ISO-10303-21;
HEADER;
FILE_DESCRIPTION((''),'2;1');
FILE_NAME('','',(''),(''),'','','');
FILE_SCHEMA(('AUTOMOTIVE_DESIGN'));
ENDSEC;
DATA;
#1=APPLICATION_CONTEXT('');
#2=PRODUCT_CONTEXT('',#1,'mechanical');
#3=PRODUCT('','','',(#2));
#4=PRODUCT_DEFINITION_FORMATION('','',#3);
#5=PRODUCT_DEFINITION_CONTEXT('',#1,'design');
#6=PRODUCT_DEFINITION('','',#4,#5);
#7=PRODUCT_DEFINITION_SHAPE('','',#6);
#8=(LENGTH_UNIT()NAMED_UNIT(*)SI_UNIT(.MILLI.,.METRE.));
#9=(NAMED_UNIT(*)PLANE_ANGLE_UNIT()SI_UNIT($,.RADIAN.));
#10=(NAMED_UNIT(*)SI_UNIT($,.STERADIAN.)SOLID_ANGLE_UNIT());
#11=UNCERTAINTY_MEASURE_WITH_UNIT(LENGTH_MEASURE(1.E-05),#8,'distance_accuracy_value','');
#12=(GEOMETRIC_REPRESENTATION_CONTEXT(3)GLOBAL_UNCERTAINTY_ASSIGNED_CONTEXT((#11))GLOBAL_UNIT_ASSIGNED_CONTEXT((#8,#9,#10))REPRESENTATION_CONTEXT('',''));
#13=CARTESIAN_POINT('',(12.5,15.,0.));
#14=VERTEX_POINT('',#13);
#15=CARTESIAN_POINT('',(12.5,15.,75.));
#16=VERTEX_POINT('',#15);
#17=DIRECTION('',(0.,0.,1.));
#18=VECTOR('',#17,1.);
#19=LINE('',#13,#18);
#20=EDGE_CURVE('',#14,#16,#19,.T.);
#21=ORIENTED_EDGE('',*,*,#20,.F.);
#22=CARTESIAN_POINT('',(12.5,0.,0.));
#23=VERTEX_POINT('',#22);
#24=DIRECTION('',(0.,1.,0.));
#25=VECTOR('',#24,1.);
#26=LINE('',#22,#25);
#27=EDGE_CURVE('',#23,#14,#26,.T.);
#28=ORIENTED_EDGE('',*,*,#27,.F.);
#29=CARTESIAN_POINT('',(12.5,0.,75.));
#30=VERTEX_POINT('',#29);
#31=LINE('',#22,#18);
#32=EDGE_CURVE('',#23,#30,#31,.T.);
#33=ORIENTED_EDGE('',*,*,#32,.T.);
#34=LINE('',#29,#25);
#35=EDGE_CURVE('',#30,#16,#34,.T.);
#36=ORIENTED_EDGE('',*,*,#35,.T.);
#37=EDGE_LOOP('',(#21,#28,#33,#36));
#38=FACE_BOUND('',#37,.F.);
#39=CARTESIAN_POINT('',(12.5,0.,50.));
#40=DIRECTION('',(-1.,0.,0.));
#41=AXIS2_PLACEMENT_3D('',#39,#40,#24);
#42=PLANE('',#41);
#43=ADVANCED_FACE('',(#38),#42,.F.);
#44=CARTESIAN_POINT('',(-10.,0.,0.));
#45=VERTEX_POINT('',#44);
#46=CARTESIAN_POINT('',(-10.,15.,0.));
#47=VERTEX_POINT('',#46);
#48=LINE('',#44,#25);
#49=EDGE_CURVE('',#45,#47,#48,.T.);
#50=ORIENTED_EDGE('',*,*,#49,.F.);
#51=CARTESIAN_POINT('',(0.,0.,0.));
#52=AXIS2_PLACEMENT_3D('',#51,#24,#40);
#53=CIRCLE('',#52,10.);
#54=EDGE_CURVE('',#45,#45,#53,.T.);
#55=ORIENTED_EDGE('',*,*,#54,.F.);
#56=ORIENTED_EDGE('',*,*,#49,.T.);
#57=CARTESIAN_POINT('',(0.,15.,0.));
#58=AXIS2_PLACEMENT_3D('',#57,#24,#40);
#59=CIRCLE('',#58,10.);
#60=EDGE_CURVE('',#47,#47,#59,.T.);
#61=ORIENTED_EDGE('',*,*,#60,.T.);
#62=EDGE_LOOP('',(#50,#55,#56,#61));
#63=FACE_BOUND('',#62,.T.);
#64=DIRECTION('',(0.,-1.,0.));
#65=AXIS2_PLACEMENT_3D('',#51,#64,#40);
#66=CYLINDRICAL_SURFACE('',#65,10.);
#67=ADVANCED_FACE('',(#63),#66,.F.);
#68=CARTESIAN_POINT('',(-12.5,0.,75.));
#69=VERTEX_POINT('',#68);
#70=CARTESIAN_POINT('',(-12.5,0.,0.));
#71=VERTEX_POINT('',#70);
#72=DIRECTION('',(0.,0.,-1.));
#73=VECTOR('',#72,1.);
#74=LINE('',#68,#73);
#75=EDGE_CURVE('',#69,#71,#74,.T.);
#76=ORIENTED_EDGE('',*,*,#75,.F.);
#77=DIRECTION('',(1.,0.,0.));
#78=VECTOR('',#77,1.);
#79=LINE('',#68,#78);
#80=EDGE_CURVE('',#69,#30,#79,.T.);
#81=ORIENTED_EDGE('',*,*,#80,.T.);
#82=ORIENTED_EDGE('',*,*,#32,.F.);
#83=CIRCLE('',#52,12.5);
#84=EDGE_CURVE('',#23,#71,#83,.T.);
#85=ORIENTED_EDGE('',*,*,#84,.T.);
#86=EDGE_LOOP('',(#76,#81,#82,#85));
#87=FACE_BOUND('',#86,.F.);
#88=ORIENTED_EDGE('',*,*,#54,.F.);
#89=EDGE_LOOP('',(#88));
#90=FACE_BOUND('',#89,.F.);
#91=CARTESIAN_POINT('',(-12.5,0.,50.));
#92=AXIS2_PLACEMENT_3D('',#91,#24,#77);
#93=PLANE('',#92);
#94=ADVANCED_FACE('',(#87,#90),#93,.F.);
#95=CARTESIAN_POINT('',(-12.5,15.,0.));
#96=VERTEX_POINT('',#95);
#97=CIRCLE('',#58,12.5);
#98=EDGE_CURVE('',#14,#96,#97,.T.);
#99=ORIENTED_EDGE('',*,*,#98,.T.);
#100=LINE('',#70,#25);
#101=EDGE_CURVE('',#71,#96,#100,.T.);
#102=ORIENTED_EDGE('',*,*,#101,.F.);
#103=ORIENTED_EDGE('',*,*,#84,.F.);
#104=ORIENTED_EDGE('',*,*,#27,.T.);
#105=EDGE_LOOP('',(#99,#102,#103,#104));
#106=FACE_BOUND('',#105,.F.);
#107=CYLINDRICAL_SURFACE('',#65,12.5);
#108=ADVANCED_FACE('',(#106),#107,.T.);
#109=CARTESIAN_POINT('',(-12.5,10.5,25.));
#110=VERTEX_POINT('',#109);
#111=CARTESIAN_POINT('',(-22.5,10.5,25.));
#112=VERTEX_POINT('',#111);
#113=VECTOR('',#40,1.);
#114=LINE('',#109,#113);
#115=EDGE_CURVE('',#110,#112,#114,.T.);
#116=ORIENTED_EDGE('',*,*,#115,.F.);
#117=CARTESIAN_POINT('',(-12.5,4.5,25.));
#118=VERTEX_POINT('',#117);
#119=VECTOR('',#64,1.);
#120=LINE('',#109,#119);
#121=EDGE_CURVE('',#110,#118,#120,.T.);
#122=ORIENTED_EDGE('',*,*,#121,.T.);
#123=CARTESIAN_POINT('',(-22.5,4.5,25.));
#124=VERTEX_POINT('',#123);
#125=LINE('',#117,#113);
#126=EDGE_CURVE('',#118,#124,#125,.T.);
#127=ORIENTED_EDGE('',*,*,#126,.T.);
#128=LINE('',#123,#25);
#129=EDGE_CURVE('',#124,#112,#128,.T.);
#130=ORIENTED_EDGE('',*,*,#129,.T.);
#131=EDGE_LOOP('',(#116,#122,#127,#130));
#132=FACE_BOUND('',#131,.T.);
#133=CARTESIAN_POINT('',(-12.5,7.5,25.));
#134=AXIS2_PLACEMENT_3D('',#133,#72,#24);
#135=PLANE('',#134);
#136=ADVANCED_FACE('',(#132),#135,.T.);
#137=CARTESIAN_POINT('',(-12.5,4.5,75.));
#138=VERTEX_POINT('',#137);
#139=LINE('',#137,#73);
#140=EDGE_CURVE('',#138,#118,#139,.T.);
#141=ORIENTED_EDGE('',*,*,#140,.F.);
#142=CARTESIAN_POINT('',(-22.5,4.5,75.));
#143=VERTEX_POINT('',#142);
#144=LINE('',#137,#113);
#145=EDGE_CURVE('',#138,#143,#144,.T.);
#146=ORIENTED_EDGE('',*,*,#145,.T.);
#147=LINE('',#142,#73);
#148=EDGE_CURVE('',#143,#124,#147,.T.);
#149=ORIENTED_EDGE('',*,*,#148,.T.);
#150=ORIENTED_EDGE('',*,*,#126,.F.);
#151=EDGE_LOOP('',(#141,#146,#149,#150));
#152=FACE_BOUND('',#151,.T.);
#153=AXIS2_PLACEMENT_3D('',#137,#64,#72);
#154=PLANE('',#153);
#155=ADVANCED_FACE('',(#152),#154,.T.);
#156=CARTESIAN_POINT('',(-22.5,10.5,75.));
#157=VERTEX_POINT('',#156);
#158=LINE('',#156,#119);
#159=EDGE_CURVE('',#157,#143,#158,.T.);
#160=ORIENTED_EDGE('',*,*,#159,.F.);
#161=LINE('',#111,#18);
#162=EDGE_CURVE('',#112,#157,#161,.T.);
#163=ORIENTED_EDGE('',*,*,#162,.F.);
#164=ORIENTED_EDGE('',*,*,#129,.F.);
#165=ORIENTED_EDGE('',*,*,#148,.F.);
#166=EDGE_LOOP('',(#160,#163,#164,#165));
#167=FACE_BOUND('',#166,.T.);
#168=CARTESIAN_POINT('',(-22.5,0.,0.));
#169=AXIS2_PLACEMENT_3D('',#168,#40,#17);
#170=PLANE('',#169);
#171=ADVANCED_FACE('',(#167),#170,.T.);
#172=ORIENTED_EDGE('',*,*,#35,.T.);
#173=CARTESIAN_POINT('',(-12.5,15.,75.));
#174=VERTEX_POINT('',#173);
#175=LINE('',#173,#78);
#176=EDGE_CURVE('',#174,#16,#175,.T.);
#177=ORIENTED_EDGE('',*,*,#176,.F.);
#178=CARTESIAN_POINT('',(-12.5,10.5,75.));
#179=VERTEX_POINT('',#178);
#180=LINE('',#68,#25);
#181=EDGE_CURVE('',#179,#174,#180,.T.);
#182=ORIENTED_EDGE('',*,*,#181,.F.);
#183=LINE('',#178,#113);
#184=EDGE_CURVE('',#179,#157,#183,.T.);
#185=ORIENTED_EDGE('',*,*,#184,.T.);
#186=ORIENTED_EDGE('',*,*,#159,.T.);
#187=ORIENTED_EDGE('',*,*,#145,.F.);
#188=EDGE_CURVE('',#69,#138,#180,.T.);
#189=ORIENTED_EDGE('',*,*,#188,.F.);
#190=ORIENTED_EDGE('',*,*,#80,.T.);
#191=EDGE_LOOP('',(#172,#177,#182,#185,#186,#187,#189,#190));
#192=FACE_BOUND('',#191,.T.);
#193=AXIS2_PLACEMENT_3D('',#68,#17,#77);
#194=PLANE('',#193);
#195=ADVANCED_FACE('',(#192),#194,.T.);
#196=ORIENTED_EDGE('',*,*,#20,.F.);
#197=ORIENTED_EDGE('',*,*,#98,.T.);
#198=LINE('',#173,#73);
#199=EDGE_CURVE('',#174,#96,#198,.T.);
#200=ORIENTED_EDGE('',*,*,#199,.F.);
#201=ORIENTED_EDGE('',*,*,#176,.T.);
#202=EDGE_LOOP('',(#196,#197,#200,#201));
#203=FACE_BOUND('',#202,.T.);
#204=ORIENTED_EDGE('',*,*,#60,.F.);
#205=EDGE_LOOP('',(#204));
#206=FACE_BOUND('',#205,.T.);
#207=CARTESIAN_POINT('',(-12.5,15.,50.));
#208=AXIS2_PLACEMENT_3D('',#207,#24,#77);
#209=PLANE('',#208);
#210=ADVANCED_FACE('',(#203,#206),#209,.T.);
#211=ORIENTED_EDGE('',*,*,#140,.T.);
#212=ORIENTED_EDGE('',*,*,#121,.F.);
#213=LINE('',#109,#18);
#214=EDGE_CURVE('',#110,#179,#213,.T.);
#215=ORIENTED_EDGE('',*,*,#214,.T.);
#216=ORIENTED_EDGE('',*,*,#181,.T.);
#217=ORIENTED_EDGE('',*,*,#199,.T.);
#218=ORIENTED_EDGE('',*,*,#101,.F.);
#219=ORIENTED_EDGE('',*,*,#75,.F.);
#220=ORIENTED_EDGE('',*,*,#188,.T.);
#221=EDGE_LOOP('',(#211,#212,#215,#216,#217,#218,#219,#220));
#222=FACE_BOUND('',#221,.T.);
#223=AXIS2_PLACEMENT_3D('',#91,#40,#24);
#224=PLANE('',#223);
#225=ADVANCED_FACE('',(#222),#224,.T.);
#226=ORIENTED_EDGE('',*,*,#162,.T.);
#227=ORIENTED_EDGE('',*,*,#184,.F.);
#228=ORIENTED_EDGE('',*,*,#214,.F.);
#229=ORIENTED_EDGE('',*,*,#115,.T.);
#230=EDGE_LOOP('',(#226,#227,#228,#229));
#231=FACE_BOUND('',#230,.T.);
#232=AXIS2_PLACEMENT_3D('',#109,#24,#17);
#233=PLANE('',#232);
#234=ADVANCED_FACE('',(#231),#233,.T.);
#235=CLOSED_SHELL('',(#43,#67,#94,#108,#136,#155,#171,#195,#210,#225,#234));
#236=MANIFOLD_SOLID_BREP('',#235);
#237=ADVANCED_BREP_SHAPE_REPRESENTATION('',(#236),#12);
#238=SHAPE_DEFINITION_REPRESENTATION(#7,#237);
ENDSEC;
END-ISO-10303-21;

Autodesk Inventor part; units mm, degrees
ref_plane "YZ Plane" through (0, 0, 0) normal (1, 0, 0) x (0, 1, 0)
ref_plane "XZ Plane" through (0, 0, 0) normal (0, 1, 0) x (-1, 0, 0)
ref_plane "XY Plane" through (0, 0, 0) normal (0, 0, 1) x (1, 0, 0)
sketch "Sketch1" plane through (0, 0, 0) normal (0, 1, 0) x (-1, 0, 0)
  circle A0 centre (0, 0) radius 10
  circle A1 centre (0, 0) radius 12.5
  line L0 (12.5, 0) -> (12.5, 50)
  line L1 (-12.5, 0) -> (-12.5, 50)
  line L2 (-12.5, 50) -> (12.5, 50)
  dimension "d0" = 20
  dimension "d1" = 25
  dimension "d2" = 50
extrude "Extrusion1" add sketch "Sketch1" along normal blind 15
sketch "Sketch2" plane through (-12.5, 0, 0) normal (-1, 0, 0) x (0, 0, 1)
  line L0 (-12.5, 0) -> (-12.5, 15) projected
  line L1 (-12.5, 7.5) -> (37.5, 7.5)
  line L2 (25, 7.5) -> (25, 4.5)
  line L3 (25, 4.5) -> (25, 10.5)
  line L4 (25, 10.5) -> (75, 10.5)
  line L5 (75, 10.5) -> (75, 4.5)
  line L6 (75, 4.5) -> (25, 4.5)
  point P0 (0, 0)
  dimension "d5" = 50
  dimension "d8" = 3
  dimension "d9" = 6
  dimension "d10" = 50
extrude "Extrusion2" add sketch "Sketch2" along normal blind 10
sketch "Sketch3" plane through (-12.5, 0, 50) normal (0, 0, 1) x (1, 0, 0)
  point P0 (12.5, 0)
sketch "Sketch4" plane through (-12.5, 0, 50) normal (0, 0, 1) x (1, 0, 0)
  line L0 (25, 0) -> (25, 15) projected
  line L1 (25, 0) -> (25, 15)
  line L2 (0, 15) -> (25, 15) projected
  line L3 (25, 15) -> (0, 15)
  line L4 (0, 0) -> (0, 15) projected
  line L5 (0, 15) -> (0, 0)
  line L6 (0, 0) -> (25, 0) projected
  line L7 (0, 0) -> (25, 0)
  point P0 (12.5, 0)
extrude "Extrusion3" add sketch "Sketch4" along normal blind 25
sketch "Sketch5" plane through (-12.5, 4.5, 25) normal (0, -1, 0) x (1, 0, 0)
  point P0 (12.5, -25)
sketch "Sketch6" plane through (-12.5, 4.5, 25) normal (0, -1, 0) x (1, 0, 0)
  line L0 (0, 0) -> (-10, 0) projected
  line L1 (-5, 0) -> (-5, 50)
  line L2 (0, 50) -> (-10, 50) projected
  line L3 (-5, 0) -> (-5, 10)
  line L4 (-3.75, 8.75) -> (-6.25, 8.75)
  line L5 (-6.25, 8.75) -> (-6.25, 11.25)
  line L6 (-6.25, 11.25) -> (-3.75, 11.25)
  line L7 (-3.75, 11.25) -> (-3.75, 8.75)
  line L8 (-3.75, 8.75) -> (-6.25, 11.25) construction
  line L9 (-6.25, 8.75) -> (-3.75, 11.25) construction
  line L10 (-5, 11.25) -> (-5, 15.25)
  line L11 (-3.75, 15.25) -> (-6.25, 15.25)
  line L12 (-6.25, 15.25) -> (-6.25, 17.75)
  line L13 (-6.25, 17.75) -> (-3.75, 17.75)
  line L14 (-3.75, 17.75) -> (-3.75, 15.25)
  point P0 (12.5, -25)
  dimension "d15" = 10
  dimension "d16" = 2.5
  dimension "d17" = 2.5
  dimension "d18" = 4
  dimension "d19" = 2.5
sketch "Sketch7" plane through (-12.5, 4.5, 25) normal (0, -1, 0) x (1, 0, 0)
  line L0 (-4.9925, 17.7874) -> (-4.9925, 21.7874)
  line L1 (-4.9925, 21.7874) -> (-3.7425, 21.7874)
  line L2 (-3.7425, 21.7874) -> (-3.7425, 24.2874)
  line L3 (-3.7425, 24.2874) -> (-6.2425, 24.2874)
  line L4 (-6.2425, 24.2874) -> (-6.2425, 21.7874)
  line L5 (-6.2425, 21.7874) -> (-4.9925, 21.7874)
  line L6 (-4.9925, 24.2874) -> (-4.9925, 28.2874)
  line L7 (-4.9925, 28.2874) -> (-6.2425, 28.2874)
  line L8 (-6.2425, 28.2874) -> (-6.2425, 30.7874)
  line L9 (-6.2425, 30.7874) -> (-3.7425, 30.7874)
  line L10 (-3.7425, 30.7874) -> (-3.7425, 28.2874)
  line L11 (-4.9925, 28.2874) -> (-3.7425, 28.2874)
  line L12 (-4.9925, 30.7874) -> (-4.9925, 34.7874)
  line L13 (-4.9925, 34.7874) -> (-3.7425, 34.7874)
  line L14 (-3.7425, 34.7874) -> (-3.7425, 37.2874)
  line L15 (-3.7425, 37.2874) -> (-6.2425, 37.2874)
  line L16 (-6.2425, 37.2874) -> (-6.2425, 34.7874)
  line L17 (-6.2425, 34.7874) -> (-4.9925, 34.7874)
  line L18 (-4.9925, 37.2874) -> (-4.9925, 41.2874)
  line L19 (-4.9925, 41.2874) -> (-3.7425, 41.2874)
  line L20 (-3.7425, 41.2874) -> (-3.7425, 43.7874)
  line L21 (-3.7425, 43.7874) -> (-6.2425, 43.7874)
  line L22 (-6.2425, 43.7874) -> (-6.2425, 41.2874)
  line L23 (-6.2425, 41.2874) -> (-4.9925, 41.2874)
  line L24 (-5, 15.2622) -> (-5, 8.7622)
  line L25 (-5, 8.7622) -> (-5, 4.7622)
  line L26 (-5, 4.7622) -> (-6.25, 4.7622)
  line L27 (-6.25, 4.7622) -> (-6.25, 2.2622)
  line L28 (-6.25, 2.2622) -> (-3.75, 2.2622)
  line L29 (-3.75, 2.2622) -> (-3.75, 4.7622)
  line L30 (-3.75, 4.7622) -> (-5, 4.7622)
  point P0 (12.5, -25)
  dimension "d20" = 4
  dimension "d21" = 1.25
  dimension "d22" = 2.5
  dimension "d23" = 2.5
  dimension "d24" = 4
  dimension "d25" = 1.25
  dimension "d26" = 2.5
  dimension "d27" = 4
  dimension "d28" = 2.5
  dimension "d29" = 4
  dimension "d30" = 2.5
  dimension "d31" = 6.5
  dimension "d32" = 4
  dimension "d33" = 1.25
  dimension "d34" = 2.5
  dimension "d35" = 2.5
